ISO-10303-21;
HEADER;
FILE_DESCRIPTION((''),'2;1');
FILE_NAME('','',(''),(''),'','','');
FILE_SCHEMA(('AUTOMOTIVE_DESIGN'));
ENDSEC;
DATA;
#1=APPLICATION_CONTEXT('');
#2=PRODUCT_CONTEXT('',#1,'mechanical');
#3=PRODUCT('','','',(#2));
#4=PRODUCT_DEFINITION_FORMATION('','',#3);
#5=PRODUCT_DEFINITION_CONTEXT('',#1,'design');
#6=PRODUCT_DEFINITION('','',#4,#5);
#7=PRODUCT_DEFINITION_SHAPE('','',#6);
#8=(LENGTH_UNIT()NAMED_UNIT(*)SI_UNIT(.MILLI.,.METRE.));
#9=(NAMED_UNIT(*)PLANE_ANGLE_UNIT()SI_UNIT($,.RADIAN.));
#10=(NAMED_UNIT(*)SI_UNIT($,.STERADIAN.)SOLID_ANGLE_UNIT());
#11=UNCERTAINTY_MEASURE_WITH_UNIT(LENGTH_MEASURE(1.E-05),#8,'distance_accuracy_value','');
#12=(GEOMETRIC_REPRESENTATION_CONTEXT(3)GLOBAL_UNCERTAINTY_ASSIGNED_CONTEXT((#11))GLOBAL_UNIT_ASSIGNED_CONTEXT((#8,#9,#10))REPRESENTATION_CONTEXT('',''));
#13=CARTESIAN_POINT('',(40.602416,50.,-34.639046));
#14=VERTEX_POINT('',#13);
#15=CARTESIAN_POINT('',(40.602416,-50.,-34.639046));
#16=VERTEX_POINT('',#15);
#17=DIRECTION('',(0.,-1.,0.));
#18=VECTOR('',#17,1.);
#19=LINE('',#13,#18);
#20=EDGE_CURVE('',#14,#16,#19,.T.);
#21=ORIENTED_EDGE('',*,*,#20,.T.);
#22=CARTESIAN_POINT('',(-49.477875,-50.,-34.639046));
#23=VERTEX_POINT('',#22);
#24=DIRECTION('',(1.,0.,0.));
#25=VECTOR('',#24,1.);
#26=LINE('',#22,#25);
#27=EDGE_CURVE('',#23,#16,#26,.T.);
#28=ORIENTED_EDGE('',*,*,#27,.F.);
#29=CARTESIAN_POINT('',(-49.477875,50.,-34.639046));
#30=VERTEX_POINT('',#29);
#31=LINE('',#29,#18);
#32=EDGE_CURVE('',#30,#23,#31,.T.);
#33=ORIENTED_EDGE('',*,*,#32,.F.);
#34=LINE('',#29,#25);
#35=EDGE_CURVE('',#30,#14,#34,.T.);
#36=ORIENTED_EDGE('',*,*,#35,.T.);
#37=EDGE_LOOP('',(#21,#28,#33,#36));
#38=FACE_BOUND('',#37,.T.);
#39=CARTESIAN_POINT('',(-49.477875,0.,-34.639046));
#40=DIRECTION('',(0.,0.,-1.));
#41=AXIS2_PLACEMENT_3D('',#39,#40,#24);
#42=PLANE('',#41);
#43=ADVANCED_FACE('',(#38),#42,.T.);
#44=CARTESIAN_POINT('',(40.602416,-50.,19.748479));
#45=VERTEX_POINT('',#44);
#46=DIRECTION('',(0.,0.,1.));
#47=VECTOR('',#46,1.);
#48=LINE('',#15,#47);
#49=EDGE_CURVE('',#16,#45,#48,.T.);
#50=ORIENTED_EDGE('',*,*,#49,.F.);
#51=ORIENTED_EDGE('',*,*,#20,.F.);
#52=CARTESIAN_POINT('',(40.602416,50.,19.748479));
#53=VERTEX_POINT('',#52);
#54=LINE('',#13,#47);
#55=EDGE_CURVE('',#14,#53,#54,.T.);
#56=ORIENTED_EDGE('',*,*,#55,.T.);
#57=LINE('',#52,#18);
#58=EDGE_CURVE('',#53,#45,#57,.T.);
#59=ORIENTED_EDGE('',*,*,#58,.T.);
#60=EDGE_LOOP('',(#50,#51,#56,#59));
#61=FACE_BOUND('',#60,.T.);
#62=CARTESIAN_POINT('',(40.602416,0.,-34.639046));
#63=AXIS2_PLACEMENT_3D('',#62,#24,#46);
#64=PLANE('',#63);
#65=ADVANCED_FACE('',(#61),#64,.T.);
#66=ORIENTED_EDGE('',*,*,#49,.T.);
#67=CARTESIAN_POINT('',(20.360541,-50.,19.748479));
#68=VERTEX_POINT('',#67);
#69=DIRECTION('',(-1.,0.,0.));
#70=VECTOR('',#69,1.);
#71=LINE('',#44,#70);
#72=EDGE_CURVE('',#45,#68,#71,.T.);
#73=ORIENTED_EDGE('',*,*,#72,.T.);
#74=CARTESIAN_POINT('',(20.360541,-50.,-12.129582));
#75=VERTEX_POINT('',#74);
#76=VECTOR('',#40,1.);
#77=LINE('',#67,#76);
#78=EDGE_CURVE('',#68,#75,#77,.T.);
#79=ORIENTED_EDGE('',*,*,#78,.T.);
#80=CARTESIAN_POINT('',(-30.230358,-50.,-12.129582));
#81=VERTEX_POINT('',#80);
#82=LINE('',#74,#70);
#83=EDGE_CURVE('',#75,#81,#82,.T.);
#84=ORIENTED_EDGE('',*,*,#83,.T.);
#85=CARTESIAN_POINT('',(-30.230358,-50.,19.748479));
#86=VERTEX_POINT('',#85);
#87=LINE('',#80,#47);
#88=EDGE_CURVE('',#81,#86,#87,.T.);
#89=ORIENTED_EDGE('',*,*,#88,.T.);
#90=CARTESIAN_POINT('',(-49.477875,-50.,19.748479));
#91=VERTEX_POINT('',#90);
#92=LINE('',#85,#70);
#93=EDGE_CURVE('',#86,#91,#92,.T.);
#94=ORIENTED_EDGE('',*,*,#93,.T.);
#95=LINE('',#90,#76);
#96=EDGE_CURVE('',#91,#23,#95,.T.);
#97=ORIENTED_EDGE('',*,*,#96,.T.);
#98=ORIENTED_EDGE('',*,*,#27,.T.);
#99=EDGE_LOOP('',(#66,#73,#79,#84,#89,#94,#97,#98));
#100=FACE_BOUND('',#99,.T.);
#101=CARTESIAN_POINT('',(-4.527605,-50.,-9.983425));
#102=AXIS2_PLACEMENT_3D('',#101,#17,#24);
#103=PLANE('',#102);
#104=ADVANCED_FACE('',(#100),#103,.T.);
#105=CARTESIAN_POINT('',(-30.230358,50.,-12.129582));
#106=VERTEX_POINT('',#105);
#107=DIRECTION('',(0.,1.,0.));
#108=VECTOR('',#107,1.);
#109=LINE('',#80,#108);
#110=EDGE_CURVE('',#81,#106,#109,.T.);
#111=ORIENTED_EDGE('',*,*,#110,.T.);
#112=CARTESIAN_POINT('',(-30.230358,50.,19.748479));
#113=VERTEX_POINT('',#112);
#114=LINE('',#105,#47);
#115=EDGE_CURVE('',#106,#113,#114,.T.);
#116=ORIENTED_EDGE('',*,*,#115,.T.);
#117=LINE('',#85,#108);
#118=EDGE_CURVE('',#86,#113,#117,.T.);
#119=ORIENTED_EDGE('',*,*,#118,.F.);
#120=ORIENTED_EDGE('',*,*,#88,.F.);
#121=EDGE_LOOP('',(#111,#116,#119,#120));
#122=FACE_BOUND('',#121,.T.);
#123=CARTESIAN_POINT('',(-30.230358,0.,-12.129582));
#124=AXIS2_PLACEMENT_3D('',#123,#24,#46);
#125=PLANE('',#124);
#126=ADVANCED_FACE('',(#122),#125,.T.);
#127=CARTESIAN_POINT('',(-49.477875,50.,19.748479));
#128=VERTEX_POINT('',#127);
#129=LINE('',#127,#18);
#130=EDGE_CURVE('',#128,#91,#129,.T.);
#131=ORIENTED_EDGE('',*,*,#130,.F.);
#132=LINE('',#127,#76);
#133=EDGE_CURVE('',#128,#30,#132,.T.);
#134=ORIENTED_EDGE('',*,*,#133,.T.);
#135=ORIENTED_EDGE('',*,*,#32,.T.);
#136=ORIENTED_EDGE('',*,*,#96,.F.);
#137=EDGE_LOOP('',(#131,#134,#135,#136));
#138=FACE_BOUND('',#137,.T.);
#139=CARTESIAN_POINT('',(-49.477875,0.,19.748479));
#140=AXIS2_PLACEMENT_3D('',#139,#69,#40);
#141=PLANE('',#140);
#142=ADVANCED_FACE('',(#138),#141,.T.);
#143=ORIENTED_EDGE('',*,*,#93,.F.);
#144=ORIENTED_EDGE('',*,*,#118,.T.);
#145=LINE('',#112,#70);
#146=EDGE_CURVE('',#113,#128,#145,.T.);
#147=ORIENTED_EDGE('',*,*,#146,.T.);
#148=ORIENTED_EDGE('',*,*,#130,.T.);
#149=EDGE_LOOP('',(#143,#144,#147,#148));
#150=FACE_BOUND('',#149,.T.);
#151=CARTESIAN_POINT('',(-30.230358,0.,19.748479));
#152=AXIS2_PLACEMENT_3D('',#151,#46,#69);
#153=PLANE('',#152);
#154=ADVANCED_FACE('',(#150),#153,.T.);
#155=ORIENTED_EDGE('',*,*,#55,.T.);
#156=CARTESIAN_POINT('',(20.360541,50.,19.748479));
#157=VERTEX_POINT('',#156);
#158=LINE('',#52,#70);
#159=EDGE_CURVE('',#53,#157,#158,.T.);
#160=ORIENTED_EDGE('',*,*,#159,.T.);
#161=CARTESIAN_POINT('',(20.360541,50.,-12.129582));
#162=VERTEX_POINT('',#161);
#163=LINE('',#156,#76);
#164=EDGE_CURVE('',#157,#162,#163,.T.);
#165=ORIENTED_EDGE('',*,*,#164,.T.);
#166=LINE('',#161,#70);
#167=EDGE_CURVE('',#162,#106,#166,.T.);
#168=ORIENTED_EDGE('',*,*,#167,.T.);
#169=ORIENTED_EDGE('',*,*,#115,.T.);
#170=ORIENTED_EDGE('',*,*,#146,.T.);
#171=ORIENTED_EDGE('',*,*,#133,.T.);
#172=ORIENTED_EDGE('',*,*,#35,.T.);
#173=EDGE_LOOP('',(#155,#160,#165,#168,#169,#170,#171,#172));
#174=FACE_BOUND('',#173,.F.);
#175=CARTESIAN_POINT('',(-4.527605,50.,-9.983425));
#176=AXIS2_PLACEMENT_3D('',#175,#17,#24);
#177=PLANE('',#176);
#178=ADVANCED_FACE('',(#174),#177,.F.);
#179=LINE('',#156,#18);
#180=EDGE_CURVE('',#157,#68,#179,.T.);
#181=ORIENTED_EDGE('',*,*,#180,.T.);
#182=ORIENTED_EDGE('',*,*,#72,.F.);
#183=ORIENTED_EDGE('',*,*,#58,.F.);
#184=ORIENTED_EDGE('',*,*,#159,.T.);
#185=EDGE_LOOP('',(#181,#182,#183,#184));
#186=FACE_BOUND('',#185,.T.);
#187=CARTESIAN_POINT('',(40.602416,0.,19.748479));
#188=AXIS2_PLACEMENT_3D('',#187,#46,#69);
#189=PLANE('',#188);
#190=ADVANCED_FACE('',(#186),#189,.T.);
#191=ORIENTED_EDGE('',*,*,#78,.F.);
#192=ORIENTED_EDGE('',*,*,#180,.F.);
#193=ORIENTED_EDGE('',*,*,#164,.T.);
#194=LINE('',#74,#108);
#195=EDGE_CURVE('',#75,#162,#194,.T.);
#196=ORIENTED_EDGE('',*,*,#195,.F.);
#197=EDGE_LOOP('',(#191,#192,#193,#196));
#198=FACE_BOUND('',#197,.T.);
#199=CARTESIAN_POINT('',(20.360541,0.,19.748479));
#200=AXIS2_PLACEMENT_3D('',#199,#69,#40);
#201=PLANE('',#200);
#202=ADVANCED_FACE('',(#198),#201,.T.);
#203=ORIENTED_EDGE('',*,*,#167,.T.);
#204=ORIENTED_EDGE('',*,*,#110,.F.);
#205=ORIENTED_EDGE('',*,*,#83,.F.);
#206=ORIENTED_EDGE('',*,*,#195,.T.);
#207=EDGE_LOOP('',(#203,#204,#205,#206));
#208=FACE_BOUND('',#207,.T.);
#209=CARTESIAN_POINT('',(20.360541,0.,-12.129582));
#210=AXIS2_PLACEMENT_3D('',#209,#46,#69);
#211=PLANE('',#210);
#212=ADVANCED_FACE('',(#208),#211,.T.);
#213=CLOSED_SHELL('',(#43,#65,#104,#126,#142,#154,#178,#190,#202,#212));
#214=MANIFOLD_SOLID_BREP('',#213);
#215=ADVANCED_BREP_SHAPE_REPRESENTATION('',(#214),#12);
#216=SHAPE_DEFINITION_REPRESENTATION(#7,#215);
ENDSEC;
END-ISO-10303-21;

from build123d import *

# Parameters (mm, degrees)
F1_DEPTH      = 50
F1_DEPTH_BACK = 50


with BuildPart() as f1:
    # F0 (on Front) → F1 (new body, two sides)
    with BuildSketch(Plane.XZ) as f1_sk:
        Polygon((-30.230358, 19.748479), (-49.477875, 19.748479), (-49.477875, -34.639046), (40.602416, -34.639046), (40.602416, 19.748479), (20.360541, 19.748479), (20.360541, -12.129582), (-30.230358, -12.129582), align=None)
    extrude(amount=F1_DEPTH)
    extrude(f1_sk.sketch, amount=-F1_DEPTH_BACK)


solid = f1.part
